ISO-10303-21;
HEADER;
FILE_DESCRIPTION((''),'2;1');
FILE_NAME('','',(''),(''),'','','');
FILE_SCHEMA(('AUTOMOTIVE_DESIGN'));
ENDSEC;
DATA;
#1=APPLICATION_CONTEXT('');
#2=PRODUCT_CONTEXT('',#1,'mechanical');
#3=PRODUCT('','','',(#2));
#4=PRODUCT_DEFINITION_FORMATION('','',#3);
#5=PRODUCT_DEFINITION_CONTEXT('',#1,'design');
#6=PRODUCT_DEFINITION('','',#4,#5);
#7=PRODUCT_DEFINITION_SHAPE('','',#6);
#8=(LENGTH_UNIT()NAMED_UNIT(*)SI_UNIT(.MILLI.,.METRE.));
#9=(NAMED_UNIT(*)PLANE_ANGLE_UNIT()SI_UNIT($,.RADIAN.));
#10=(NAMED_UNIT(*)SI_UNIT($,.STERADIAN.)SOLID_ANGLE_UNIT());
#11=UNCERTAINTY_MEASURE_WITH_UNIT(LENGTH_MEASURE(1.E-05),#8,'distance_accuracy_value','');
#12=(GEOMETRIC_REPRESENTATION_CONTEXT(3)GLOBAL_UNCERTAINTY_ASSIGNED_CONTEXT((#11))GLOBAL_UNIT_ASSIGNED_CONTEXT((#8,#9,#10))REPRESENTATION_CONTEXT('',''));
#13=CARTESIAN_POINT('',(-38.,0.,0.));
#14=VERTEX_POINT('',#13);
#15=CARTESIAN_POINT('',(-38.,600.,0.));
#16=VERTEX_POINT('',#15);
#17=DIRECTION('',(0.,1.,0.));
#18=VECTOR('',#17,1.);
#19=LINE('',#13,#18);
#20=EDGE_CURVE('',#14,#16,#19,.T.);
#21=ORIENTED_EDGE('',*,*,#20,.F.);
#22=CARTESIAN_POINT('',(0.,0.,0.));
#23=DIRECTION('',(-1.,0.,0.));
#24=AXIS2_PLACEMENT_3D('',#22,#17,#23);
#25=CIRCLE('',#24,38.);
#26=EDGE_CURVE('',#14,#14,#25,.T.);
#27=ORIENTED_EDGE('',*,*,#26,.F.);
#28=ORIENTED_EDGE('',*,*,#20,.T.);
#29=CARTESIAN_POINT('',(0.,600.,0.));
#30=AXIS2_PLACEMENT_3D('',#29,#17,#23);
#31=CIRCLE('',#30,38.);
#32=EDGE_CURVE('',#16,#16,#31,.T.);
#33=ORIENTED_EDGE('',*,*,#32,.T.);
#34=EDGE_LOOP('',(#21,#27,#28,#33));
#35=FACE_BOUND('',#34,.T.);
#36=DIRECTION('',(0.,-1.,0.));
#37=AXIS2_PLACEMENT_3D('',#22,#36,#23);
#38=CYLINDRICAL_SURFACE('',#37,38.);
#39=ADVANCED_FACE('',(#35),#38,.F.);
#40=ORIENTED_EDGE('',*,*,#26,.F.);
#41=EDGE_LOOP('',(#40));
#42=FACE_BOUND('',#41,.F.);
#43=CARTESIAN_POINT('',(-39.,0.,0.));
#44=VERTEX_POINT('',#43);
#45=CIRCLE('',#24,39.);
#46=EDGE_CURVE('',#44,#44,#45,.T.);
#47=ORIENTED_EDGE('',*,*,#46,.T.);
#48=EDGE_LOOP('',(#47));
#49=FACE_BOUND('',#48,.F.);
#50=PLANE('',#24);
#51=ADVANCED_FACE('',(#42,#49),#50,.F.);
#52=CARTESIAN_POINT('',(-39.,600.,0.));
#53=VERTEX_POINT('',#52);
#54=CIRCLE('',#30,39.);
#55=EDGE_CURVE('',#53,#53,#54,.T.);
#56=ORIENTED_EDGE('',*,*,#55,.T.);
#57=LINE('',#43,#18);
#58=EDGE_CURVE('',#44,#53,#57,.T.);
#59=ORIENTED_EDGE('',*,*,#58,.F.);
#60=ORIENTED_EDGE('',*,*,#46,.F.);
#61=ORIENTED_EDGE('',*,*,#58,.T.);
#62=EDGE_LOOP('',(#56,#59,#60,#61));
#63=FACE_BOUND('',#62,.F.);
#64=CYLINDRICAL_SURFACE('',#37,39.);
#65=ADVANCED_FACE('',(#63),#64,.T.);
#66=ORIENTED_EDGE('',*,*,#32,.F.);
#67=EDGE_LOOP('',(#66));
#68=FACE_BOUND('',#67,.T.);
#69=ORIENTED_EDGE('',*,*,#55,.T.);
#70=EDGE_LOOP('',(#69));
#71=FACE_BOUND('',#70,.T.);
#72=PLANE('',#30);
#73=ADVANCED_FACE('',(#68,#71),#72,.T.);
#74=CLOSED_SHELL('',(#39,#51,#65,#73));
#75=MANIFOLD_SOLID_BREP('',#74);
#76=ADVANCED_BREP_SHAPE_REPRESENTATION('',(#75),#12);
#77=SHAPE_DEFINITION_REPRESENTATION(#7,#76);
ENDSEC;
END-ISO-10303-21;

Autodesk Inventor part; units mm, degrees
ref_plane "YZ Plane" through (0, 0, 0) normal (1, 0, 0) x (0, 1, 0)
ref_plane "XZ Plane" through (0, 0, 0) normal (0, 1, 0) x (-1, 0, 0)
ref_plane "XY Plane" through (0, 0, 0) normal (0, 0, 1) x (1, 0, 0)
sketch "Boceto1" plane through (0, 0, 0) normal (0, 1, 0) x (-1, 0, 0)
  circle A0 centre (0, 0) radius 39
  circle A1 centre (0, 0) radius 38
  dimension "d0" = 78
  dimension "d1" = 76
extrude "Extrusión1" add sketch "Boceto1" along normal blind 600
properties part number "CAMARA_DE_COMBUSTION"
